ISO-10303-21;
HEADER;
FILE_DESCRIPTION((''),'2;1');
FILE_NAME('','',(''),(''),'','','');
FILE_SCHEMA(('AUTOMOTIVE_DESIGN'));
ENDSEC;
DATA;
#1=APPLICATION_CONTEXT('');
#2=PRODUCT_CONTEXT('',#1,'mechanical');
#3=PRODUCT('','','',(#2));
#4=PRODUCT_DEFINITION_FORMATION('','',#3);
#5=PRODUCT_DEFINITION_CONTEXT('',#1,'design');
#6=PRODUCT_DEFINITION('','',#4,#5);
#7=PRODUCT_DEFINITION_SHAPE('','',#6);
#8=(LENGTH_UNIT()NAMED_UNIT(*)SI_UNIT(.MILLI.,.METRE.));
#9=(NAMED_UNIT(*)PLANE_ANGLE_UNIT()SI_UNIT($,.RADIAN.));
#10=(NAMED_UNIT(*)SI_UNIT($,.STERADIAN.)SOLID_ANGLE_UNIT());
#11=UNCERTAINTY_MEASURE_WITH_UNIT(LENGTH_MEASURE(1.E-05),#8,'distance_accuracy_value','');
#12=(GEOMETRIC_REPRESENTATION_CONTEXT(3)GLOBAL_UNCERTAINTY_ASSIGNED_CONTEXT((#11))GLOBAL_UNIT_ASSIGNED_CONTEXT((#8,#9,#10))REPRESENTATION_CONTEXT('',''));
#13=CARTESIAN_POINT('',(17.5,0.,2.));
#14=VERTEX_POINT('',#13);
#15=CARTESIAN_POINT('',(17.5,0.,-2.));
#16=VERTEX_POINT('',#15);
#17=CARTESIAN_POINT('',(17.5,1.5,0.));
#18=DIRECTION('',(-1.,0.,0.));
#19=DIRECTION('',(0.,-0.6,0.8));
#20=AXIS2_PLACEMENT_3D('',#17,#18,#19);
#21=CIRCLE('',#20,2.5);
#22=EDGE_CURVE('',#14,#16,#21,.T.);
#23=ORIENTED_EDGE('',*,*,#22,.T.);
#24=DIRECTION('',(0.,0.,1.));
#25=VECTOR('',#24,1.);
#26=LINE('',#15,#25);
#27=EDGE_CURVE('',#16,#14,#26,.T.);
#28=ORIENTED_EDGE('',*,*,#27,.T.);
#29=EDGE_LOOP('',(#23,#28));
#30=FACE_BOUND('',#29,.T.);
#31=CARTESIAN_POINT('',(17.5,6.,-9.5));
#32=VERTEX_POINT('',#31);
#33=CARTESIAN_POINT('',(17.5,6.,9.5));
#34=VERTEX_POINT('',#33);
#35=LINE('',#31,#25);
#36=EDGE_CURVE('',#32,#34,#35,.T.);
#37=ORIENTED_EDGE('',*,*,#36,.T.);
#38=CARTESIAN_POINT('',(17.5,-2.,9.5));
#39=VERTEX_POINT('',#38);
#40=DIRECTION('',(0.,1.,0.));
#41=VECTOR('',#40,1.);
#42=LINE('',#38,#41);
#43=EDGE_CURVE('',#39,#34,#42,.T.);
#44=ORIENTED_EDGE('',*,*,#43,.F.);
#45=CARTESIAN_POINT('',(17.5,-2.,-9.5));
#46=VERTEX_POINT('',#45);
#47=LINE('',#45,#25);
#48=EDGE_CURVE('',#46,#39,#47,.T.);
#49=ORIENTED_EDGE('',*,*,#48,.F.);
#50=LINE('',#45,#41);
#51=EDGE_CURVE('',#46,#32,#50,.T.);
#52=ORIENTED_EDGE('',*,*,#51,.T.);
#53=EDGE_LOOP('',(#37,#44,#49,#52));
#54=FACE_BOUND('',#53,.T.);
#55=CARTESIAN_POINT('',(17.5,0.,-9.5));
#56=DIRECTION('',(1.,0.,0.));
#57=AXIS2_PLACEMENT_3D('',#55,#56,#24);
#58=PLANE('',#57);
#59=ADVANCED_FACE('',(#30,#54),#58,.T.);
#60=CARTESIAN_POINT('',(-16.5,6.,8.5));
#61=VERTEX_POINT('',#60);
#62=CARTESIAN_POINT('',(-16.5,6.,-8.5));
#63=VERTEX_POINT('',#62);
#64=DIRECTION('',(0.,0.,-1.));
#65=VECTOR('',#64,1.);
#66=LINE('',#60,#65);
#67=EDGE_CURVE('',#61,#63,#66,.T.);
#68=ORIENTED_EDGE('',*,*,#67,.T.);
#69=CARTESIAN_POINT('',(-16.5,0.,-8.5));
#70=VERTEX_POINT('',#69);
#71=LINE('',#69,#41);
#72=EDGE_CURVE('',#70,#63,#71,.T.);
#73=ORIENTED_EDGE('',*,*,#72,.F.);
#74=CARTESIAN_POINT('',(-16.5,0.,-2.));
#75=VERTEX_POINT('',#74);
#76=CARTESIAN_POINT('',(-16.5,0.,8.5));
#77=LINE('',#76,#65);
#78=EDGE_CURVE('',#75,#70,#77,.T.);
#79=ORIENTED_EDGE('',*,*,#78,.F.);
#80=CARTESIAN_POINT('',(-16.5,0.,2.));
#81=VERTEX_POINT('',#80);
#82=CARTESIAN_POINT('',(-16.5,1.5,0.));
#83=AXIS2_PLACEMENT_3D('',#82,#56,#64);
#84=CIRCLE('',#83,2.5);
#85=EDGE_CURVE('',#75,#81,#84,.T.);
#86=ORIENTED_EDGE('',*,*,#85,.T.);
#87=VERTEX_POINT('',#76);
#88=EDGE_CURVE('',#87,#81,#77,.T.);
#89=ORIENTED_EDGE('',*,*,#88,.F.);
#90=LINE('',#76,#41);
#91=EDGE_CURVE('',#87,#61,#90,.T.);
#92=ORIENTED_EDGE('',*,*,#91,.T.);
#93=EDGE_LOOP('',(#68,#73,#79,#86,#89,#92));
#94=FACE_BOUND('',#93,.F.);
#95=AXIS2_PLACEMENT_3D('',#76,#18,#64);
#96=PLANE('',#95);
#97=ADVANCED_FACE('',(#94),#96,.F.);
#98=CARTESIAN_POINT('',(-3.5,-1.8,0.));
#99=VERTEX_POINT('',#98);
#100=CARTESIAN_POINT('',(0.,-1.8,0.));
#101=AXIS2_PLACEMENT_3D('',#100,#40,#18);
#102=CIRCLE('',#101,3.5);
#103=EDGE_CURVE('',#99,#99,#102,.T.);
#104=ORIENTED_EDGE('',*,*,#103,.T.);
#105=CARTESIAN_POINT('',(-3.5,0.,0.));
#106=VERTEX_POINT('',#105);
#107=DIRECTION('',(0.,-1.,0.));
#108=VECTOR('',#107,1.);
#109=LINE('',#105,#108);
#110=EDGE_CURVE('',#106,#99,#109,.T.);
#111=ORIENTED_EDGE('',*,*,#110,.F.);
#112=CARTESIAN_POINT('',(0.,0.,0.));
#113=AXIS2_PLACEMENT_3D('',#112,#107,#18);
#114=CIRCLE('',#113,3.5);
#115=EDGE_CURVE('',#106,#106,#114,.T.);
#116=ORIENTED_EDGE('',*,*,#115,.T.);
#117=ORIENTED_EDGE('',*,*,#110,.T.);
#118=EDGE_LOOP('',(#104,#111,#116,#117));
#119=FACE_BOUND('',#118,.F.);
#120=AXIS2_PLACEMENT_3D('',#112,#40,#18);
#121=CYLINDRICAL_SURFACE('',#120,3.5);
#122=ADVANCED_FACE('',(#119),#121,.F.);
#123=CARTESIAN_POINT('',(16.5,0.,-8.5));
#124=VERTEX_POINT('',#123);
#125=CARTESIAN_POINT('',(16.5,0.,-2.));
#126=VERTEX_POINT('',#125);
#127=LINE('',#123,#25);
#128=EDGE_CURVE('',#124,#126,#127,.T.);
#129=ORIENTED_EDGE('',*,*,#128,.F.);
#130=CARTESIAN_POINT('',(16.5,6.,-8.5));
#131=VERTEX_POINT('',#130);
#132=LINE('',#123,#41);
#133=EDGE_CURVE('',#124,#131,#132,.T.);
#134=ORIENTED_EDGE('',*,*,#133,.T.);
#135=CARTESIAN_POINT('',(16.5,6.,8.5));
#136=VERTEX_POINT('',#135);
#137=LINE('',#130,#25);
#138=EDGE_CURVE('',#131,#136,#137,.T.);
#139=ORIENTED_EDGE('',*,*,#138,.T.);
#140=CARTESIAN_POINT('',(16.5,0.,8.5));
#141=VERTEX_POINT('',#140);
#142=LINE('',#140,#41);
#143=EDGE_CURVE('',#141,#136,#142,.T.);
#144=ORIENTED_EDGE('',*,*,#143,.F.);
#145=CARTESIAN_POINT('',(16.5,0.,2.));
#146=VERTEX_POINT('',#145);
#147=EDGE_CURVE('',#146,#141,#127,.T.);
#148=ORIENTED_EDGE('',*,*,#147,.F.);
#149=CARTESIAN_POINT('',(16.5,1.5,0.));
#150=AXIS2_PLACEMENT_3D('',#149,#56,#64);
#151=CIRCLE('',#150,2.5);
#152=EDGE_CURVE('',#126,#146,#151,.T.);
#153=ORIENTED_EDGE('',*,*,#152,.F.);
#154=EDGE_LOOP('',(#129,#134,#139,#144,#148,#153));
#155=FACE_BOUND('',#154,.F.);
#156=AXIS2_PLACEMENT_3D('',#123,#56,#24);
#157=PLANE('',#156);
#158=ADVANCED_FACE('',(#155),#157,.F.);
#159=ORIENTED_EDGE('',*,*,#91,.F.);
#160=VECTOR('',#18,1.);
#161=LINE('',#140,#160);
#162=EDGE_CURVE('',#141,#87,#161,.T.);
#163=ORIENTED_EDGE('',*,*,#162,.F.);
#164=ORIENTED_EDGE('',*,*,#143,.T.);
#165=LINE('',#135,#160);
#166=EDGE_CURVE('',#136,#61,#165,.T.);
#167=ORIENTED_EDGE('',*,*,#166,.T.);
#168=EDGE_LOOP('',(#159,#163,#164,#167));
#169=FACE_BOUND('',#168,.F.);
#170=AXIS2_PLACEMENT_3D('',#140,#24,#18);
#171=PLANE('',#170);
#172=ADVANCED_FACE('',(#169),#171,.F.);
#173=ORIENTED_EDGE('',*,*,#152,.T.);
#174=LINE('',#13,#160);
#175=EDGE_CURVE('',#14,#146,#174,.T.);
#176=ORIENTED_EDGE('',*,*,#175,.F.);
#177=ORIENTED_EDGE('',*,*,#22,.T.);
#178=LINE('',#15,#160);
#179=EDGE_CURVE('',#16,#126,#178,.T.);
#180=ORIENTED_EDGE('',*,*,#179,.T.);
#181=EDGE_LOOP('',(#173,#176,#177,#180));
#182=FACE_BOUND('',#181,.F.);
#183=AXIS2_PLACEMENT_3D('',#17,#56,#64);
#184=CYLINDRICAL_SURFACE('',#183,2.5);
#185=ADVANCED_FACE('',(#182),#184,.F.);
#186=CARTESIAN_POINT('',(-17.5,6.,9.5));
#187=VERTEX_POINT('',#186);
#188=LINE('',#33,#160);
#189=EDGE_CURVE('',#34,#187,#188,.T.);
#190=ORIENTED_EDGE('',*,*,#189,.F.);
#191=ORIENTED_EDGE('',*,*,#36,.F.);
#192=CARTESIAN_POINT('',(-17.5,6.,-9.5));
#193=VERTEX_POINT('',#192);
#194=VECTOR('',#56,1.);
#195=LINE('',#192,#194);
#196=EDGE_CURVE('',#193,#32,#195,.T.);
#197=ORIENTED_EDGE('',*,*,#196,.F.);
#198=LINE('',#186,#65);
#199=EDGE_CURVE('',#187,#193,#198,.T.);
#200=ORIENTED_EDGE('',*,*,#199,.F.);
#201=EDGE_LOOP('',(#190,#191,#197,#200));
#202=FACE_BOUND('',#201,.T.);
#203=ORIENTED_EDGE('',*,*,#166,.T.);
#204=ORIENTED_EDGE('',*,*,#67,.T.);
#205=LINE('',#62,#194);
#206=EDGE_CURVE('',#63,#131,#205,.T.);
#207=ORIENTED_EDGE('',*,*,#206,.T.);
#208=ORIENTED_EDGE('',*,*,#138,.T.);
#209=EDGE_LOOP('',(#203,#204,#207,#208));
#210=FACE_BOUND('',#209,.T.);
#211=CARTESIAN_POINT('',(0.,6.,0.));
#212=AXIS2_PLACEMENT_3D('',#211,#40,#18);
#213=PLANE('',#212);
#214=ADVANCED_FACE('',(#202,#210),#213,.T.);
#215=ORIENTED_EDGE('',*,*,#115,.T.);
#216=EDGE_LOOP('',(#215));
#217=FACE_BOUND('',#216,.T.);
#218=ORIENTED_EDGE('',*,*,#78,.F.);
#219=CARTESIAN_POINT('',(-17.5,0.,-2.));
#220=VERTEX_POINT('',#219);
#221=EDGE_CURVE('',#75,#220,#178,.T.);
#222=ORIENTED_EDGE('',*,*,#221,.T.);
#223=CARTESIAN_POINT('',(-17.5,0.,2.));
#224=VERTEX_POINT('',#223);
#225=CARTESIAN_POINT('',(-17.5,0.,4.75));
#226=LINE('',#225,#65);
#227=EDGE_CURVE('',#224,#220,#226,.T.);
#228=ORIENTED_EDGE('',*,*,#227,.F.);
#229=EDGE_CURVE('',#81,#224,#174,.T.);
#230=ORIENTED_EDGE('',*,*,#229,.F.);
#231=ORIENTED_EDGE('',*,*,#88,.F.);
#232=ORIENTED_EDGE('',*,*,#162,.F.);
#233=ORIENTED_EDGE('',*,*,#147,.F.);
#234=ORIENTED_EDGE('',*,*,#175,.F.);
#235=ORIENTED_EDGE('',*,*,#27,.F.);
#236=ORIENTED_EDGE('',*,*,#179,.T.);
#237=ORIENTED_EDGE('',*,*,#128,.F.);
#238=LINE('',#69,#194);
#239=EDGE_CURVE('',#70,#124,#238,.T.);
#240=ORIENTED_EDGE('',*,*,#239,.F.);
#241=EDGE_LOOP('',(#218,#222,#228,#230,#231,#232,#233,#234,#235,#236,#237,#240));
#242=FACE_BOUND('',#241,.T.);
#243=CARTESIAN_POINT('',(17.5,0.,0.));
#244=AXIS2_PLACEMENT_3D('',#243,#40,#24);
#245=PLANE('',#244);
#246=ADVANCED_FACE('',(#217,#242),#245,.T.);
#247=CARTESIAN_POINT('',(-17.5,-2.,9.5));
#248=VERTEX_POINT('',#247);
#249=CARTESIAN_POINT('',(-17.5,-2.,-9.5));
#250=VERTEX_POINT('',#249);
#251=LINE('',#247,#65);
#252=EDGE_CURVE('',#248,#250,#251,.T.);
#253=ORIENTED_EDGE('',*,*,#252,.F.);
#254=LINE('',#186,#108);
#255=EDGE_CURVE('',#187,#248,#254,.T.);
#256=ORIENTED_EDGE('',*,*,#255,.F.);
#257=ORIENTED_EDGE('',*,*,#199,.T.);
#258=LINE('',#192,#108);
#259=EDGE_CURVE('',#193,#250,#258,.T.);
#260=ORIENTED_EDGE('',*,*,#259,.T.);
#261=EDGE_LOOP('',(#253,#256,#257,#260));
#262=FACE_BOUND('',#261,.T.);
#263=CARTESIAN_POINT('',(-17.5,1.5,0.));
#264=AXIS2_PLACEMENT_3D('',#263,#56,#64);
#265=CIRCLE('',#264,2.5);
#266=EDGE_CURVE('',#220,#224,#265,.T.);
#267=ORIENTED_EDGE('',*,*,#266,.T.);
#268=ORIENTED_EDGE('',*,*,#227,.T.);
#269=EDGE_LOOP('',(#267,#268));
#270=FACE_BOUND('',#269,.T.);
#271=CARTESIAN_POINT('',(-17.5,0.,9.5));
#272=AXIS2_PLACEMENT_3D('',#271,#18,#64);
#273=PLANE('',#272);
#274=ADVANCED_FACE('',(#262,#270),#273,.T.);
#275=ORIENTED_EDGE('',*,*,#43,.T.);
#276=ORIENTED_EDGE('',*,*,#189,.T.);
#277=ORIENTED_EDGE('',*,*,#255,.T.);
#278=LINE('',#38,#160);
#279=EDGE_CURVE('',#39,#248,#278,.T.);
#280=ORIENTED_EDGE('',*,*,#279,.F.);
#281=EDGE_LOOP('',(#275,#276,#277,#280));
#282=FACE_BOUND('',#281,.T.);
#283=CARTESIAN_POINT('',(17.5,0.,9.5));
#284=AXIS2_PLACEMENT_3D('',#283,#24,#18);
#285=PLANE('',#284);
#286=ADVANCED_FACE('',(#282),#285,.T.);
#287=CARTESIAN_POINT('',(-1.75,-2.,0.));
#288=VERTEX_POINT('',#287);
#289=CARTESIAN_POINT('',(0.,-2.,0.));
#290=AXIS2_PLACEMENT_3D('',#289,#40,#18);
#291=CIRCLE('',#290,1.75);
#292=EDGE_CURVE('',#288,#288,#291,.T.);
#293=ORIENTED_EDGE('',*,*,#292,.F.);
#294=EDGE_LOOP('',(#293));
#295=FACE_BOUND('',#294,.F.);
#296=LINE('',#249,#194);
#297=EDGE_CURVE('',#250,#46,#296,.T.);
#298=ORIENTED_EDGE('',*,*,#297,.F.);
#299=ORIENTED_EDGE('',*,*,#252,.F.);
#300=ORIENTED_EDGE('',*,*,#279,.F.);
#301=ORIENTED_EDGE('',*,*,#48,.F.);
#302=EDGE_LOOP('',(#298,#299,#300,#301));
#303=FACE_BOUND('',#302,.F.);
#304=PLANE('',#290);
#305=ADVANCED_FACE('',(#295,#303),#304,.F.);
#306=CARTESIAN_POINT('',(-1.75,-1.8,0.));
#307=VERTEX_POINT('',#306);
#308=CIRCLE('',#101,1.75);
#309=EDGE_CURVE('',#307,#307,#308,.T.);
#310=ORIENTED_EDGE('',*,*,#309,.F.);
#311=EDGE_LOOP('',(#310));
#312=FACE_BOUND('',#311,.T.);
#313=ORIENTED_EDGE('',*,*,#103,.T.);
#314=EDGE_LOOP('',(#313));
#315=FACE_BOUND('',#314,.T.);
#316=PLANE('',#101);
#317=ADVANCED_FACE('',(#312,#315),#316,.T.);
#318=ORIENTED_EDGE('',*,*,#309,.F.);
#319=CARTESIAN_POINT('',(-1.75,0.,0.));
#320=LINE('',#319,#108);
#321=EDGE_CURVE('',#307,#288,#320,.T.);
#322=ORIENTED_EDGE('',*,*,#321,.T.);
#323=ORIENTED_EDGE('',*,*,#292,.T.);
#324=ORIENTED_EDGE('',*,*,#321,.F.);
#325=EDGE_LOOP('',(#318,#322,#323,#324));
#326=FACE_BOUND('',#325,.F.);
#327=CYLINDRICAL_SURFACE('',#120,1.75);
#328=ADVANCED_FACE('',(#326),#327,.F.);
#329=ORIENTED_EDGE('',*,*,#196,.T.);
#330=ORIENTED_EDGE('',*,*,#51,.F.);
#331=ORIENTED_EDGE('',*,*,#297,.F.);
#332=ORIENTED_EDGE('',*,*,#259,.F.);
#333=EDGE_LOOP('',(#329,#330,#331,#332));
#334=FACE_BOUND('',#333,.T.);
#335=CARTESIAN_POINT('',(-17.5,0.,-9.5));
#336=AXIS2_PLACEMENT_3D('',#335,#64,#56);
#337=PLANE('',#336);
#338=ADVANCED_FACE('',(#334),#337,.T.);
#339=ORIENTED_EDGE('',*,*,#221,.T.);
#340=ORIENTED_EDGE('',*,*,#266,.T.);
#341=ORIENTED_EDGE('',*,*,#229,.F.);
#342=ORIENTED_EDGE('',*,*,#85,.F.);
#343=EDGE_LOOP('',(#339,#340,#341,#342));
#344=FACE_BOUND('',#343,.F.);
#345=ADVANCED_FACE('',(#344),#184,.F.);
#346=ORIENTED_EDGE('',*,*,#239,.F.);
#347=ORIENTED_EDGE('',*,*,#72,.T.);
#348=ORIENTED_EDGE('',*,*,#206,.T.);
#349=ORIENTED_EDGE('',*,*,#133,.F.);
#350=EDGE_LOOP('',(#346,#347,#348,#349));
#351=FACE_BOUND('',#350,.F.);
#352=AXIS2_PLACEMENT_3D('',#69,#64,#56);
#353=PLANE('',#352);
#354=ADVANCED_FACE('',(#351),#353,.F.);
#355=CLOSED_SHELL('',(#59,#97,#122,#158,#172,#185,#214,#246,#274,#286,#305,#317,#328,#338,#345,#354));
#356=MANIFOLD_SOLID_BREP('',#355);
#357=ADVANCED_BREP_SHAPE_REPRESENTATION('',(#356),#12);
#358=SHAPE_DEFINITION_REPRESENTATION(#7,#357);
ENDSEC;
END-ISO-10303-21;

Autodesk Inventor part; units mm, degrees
ref_plane "YZ Plane" through (0, 0, 0) normal (1, 0, 0) x (0, 1, 0)
ref_plane "XZ Plane" through (0, 0, 0) normal (0, 1, 0) x (-1, 0, 0)
ref_plane "XY Plane" through (0, 0, 0) normal (0, 0, 1) x (1, 0, 0)
sketch "Szkic1" plane through (0, 0, 0) normal (0, 1, 0) x (-1, 0, 0)
  line L0 (-16.5, 8.5) -> (16.5, 8.5)
  line L1 (16.5, 8.5) -> (16.5, -8.5)
  line L2 (16.5, -8.5) -> (-16.5, -8.5)
  line L3 (-16.5, -8.5) -> (-16.5, 8.5)
  line L4 (-16.5, 8.5) -> (16.5, -8.5) construction
  line L5 (16.5, 8.5) -> (-16.5, -8.5) construction
  line L6 (-17.5, 9.5) -> (17.5, 9.5)
  line L7 (17.5, 9.5) -> (17.5, -9.5)
  line L8 (17.5, -9.5) -> (-17.5, -9.5)
  line L9 (-17.5, -9.5) -> (-17.5, 9.5)
  line L10 (-17.5, 9.5) -> (17.5, -9.5) construction
  line L11 (17.5, 9.5) -> (-17.5, -9.5) construction
  circle A0 centre (0, 0) radius 1.75
  circle A1 centre (0, 0) radius 3.5
  dimension "d0" = 33
  dimension "d1" = 17
  dimension "d2" = 35
  dimension "d3" = 19
  dimension "d4" = 3.5
  dimension "d5" = 7
extrude "Wyciągnięcie proste1" add sketch "Szkic1" along normal blind 6 contours L6 L7 L8 L9
extrude "Wyciągnięcie proste2" add sketch "Szkic1" against normal blind 2 contours L0 L1 L2 L3 | L6 L7 L8 L9 | A1
extrude "Wyciągnięcie proste3" cut sketch "Szkic1" against normal blind 1.8 contours A1
sketch "Szkic2" plane through (17.5, 6, 9.5) normal (1, 0, 0) x (0, 0, -1)
  line L0 (1, -6) -> (1, 0) projected
  line L1 (18, -6) -> (1, -6) projected
  line L2 (1, -6) -> (18, -6)
  line L3 (9.5, -6) -> (9.5, 0)
  line L4 (0, 0) -> (19, 0) projected
  line L5 (9.5, -6) -> (9.5, -3)
  circle A0 centre (9.5, -4.5) radius 2.5
  point P0 (11.5, -6)
  point P1 (7.5, -6)
  dimension "d14" = 5
extrude "Wyciągnięcie proste4" cut sketch "Szkic2" against normal blind 39.25 contours A0 L3 L1 | L3 A0 L1
properties part number "Battery_box"
